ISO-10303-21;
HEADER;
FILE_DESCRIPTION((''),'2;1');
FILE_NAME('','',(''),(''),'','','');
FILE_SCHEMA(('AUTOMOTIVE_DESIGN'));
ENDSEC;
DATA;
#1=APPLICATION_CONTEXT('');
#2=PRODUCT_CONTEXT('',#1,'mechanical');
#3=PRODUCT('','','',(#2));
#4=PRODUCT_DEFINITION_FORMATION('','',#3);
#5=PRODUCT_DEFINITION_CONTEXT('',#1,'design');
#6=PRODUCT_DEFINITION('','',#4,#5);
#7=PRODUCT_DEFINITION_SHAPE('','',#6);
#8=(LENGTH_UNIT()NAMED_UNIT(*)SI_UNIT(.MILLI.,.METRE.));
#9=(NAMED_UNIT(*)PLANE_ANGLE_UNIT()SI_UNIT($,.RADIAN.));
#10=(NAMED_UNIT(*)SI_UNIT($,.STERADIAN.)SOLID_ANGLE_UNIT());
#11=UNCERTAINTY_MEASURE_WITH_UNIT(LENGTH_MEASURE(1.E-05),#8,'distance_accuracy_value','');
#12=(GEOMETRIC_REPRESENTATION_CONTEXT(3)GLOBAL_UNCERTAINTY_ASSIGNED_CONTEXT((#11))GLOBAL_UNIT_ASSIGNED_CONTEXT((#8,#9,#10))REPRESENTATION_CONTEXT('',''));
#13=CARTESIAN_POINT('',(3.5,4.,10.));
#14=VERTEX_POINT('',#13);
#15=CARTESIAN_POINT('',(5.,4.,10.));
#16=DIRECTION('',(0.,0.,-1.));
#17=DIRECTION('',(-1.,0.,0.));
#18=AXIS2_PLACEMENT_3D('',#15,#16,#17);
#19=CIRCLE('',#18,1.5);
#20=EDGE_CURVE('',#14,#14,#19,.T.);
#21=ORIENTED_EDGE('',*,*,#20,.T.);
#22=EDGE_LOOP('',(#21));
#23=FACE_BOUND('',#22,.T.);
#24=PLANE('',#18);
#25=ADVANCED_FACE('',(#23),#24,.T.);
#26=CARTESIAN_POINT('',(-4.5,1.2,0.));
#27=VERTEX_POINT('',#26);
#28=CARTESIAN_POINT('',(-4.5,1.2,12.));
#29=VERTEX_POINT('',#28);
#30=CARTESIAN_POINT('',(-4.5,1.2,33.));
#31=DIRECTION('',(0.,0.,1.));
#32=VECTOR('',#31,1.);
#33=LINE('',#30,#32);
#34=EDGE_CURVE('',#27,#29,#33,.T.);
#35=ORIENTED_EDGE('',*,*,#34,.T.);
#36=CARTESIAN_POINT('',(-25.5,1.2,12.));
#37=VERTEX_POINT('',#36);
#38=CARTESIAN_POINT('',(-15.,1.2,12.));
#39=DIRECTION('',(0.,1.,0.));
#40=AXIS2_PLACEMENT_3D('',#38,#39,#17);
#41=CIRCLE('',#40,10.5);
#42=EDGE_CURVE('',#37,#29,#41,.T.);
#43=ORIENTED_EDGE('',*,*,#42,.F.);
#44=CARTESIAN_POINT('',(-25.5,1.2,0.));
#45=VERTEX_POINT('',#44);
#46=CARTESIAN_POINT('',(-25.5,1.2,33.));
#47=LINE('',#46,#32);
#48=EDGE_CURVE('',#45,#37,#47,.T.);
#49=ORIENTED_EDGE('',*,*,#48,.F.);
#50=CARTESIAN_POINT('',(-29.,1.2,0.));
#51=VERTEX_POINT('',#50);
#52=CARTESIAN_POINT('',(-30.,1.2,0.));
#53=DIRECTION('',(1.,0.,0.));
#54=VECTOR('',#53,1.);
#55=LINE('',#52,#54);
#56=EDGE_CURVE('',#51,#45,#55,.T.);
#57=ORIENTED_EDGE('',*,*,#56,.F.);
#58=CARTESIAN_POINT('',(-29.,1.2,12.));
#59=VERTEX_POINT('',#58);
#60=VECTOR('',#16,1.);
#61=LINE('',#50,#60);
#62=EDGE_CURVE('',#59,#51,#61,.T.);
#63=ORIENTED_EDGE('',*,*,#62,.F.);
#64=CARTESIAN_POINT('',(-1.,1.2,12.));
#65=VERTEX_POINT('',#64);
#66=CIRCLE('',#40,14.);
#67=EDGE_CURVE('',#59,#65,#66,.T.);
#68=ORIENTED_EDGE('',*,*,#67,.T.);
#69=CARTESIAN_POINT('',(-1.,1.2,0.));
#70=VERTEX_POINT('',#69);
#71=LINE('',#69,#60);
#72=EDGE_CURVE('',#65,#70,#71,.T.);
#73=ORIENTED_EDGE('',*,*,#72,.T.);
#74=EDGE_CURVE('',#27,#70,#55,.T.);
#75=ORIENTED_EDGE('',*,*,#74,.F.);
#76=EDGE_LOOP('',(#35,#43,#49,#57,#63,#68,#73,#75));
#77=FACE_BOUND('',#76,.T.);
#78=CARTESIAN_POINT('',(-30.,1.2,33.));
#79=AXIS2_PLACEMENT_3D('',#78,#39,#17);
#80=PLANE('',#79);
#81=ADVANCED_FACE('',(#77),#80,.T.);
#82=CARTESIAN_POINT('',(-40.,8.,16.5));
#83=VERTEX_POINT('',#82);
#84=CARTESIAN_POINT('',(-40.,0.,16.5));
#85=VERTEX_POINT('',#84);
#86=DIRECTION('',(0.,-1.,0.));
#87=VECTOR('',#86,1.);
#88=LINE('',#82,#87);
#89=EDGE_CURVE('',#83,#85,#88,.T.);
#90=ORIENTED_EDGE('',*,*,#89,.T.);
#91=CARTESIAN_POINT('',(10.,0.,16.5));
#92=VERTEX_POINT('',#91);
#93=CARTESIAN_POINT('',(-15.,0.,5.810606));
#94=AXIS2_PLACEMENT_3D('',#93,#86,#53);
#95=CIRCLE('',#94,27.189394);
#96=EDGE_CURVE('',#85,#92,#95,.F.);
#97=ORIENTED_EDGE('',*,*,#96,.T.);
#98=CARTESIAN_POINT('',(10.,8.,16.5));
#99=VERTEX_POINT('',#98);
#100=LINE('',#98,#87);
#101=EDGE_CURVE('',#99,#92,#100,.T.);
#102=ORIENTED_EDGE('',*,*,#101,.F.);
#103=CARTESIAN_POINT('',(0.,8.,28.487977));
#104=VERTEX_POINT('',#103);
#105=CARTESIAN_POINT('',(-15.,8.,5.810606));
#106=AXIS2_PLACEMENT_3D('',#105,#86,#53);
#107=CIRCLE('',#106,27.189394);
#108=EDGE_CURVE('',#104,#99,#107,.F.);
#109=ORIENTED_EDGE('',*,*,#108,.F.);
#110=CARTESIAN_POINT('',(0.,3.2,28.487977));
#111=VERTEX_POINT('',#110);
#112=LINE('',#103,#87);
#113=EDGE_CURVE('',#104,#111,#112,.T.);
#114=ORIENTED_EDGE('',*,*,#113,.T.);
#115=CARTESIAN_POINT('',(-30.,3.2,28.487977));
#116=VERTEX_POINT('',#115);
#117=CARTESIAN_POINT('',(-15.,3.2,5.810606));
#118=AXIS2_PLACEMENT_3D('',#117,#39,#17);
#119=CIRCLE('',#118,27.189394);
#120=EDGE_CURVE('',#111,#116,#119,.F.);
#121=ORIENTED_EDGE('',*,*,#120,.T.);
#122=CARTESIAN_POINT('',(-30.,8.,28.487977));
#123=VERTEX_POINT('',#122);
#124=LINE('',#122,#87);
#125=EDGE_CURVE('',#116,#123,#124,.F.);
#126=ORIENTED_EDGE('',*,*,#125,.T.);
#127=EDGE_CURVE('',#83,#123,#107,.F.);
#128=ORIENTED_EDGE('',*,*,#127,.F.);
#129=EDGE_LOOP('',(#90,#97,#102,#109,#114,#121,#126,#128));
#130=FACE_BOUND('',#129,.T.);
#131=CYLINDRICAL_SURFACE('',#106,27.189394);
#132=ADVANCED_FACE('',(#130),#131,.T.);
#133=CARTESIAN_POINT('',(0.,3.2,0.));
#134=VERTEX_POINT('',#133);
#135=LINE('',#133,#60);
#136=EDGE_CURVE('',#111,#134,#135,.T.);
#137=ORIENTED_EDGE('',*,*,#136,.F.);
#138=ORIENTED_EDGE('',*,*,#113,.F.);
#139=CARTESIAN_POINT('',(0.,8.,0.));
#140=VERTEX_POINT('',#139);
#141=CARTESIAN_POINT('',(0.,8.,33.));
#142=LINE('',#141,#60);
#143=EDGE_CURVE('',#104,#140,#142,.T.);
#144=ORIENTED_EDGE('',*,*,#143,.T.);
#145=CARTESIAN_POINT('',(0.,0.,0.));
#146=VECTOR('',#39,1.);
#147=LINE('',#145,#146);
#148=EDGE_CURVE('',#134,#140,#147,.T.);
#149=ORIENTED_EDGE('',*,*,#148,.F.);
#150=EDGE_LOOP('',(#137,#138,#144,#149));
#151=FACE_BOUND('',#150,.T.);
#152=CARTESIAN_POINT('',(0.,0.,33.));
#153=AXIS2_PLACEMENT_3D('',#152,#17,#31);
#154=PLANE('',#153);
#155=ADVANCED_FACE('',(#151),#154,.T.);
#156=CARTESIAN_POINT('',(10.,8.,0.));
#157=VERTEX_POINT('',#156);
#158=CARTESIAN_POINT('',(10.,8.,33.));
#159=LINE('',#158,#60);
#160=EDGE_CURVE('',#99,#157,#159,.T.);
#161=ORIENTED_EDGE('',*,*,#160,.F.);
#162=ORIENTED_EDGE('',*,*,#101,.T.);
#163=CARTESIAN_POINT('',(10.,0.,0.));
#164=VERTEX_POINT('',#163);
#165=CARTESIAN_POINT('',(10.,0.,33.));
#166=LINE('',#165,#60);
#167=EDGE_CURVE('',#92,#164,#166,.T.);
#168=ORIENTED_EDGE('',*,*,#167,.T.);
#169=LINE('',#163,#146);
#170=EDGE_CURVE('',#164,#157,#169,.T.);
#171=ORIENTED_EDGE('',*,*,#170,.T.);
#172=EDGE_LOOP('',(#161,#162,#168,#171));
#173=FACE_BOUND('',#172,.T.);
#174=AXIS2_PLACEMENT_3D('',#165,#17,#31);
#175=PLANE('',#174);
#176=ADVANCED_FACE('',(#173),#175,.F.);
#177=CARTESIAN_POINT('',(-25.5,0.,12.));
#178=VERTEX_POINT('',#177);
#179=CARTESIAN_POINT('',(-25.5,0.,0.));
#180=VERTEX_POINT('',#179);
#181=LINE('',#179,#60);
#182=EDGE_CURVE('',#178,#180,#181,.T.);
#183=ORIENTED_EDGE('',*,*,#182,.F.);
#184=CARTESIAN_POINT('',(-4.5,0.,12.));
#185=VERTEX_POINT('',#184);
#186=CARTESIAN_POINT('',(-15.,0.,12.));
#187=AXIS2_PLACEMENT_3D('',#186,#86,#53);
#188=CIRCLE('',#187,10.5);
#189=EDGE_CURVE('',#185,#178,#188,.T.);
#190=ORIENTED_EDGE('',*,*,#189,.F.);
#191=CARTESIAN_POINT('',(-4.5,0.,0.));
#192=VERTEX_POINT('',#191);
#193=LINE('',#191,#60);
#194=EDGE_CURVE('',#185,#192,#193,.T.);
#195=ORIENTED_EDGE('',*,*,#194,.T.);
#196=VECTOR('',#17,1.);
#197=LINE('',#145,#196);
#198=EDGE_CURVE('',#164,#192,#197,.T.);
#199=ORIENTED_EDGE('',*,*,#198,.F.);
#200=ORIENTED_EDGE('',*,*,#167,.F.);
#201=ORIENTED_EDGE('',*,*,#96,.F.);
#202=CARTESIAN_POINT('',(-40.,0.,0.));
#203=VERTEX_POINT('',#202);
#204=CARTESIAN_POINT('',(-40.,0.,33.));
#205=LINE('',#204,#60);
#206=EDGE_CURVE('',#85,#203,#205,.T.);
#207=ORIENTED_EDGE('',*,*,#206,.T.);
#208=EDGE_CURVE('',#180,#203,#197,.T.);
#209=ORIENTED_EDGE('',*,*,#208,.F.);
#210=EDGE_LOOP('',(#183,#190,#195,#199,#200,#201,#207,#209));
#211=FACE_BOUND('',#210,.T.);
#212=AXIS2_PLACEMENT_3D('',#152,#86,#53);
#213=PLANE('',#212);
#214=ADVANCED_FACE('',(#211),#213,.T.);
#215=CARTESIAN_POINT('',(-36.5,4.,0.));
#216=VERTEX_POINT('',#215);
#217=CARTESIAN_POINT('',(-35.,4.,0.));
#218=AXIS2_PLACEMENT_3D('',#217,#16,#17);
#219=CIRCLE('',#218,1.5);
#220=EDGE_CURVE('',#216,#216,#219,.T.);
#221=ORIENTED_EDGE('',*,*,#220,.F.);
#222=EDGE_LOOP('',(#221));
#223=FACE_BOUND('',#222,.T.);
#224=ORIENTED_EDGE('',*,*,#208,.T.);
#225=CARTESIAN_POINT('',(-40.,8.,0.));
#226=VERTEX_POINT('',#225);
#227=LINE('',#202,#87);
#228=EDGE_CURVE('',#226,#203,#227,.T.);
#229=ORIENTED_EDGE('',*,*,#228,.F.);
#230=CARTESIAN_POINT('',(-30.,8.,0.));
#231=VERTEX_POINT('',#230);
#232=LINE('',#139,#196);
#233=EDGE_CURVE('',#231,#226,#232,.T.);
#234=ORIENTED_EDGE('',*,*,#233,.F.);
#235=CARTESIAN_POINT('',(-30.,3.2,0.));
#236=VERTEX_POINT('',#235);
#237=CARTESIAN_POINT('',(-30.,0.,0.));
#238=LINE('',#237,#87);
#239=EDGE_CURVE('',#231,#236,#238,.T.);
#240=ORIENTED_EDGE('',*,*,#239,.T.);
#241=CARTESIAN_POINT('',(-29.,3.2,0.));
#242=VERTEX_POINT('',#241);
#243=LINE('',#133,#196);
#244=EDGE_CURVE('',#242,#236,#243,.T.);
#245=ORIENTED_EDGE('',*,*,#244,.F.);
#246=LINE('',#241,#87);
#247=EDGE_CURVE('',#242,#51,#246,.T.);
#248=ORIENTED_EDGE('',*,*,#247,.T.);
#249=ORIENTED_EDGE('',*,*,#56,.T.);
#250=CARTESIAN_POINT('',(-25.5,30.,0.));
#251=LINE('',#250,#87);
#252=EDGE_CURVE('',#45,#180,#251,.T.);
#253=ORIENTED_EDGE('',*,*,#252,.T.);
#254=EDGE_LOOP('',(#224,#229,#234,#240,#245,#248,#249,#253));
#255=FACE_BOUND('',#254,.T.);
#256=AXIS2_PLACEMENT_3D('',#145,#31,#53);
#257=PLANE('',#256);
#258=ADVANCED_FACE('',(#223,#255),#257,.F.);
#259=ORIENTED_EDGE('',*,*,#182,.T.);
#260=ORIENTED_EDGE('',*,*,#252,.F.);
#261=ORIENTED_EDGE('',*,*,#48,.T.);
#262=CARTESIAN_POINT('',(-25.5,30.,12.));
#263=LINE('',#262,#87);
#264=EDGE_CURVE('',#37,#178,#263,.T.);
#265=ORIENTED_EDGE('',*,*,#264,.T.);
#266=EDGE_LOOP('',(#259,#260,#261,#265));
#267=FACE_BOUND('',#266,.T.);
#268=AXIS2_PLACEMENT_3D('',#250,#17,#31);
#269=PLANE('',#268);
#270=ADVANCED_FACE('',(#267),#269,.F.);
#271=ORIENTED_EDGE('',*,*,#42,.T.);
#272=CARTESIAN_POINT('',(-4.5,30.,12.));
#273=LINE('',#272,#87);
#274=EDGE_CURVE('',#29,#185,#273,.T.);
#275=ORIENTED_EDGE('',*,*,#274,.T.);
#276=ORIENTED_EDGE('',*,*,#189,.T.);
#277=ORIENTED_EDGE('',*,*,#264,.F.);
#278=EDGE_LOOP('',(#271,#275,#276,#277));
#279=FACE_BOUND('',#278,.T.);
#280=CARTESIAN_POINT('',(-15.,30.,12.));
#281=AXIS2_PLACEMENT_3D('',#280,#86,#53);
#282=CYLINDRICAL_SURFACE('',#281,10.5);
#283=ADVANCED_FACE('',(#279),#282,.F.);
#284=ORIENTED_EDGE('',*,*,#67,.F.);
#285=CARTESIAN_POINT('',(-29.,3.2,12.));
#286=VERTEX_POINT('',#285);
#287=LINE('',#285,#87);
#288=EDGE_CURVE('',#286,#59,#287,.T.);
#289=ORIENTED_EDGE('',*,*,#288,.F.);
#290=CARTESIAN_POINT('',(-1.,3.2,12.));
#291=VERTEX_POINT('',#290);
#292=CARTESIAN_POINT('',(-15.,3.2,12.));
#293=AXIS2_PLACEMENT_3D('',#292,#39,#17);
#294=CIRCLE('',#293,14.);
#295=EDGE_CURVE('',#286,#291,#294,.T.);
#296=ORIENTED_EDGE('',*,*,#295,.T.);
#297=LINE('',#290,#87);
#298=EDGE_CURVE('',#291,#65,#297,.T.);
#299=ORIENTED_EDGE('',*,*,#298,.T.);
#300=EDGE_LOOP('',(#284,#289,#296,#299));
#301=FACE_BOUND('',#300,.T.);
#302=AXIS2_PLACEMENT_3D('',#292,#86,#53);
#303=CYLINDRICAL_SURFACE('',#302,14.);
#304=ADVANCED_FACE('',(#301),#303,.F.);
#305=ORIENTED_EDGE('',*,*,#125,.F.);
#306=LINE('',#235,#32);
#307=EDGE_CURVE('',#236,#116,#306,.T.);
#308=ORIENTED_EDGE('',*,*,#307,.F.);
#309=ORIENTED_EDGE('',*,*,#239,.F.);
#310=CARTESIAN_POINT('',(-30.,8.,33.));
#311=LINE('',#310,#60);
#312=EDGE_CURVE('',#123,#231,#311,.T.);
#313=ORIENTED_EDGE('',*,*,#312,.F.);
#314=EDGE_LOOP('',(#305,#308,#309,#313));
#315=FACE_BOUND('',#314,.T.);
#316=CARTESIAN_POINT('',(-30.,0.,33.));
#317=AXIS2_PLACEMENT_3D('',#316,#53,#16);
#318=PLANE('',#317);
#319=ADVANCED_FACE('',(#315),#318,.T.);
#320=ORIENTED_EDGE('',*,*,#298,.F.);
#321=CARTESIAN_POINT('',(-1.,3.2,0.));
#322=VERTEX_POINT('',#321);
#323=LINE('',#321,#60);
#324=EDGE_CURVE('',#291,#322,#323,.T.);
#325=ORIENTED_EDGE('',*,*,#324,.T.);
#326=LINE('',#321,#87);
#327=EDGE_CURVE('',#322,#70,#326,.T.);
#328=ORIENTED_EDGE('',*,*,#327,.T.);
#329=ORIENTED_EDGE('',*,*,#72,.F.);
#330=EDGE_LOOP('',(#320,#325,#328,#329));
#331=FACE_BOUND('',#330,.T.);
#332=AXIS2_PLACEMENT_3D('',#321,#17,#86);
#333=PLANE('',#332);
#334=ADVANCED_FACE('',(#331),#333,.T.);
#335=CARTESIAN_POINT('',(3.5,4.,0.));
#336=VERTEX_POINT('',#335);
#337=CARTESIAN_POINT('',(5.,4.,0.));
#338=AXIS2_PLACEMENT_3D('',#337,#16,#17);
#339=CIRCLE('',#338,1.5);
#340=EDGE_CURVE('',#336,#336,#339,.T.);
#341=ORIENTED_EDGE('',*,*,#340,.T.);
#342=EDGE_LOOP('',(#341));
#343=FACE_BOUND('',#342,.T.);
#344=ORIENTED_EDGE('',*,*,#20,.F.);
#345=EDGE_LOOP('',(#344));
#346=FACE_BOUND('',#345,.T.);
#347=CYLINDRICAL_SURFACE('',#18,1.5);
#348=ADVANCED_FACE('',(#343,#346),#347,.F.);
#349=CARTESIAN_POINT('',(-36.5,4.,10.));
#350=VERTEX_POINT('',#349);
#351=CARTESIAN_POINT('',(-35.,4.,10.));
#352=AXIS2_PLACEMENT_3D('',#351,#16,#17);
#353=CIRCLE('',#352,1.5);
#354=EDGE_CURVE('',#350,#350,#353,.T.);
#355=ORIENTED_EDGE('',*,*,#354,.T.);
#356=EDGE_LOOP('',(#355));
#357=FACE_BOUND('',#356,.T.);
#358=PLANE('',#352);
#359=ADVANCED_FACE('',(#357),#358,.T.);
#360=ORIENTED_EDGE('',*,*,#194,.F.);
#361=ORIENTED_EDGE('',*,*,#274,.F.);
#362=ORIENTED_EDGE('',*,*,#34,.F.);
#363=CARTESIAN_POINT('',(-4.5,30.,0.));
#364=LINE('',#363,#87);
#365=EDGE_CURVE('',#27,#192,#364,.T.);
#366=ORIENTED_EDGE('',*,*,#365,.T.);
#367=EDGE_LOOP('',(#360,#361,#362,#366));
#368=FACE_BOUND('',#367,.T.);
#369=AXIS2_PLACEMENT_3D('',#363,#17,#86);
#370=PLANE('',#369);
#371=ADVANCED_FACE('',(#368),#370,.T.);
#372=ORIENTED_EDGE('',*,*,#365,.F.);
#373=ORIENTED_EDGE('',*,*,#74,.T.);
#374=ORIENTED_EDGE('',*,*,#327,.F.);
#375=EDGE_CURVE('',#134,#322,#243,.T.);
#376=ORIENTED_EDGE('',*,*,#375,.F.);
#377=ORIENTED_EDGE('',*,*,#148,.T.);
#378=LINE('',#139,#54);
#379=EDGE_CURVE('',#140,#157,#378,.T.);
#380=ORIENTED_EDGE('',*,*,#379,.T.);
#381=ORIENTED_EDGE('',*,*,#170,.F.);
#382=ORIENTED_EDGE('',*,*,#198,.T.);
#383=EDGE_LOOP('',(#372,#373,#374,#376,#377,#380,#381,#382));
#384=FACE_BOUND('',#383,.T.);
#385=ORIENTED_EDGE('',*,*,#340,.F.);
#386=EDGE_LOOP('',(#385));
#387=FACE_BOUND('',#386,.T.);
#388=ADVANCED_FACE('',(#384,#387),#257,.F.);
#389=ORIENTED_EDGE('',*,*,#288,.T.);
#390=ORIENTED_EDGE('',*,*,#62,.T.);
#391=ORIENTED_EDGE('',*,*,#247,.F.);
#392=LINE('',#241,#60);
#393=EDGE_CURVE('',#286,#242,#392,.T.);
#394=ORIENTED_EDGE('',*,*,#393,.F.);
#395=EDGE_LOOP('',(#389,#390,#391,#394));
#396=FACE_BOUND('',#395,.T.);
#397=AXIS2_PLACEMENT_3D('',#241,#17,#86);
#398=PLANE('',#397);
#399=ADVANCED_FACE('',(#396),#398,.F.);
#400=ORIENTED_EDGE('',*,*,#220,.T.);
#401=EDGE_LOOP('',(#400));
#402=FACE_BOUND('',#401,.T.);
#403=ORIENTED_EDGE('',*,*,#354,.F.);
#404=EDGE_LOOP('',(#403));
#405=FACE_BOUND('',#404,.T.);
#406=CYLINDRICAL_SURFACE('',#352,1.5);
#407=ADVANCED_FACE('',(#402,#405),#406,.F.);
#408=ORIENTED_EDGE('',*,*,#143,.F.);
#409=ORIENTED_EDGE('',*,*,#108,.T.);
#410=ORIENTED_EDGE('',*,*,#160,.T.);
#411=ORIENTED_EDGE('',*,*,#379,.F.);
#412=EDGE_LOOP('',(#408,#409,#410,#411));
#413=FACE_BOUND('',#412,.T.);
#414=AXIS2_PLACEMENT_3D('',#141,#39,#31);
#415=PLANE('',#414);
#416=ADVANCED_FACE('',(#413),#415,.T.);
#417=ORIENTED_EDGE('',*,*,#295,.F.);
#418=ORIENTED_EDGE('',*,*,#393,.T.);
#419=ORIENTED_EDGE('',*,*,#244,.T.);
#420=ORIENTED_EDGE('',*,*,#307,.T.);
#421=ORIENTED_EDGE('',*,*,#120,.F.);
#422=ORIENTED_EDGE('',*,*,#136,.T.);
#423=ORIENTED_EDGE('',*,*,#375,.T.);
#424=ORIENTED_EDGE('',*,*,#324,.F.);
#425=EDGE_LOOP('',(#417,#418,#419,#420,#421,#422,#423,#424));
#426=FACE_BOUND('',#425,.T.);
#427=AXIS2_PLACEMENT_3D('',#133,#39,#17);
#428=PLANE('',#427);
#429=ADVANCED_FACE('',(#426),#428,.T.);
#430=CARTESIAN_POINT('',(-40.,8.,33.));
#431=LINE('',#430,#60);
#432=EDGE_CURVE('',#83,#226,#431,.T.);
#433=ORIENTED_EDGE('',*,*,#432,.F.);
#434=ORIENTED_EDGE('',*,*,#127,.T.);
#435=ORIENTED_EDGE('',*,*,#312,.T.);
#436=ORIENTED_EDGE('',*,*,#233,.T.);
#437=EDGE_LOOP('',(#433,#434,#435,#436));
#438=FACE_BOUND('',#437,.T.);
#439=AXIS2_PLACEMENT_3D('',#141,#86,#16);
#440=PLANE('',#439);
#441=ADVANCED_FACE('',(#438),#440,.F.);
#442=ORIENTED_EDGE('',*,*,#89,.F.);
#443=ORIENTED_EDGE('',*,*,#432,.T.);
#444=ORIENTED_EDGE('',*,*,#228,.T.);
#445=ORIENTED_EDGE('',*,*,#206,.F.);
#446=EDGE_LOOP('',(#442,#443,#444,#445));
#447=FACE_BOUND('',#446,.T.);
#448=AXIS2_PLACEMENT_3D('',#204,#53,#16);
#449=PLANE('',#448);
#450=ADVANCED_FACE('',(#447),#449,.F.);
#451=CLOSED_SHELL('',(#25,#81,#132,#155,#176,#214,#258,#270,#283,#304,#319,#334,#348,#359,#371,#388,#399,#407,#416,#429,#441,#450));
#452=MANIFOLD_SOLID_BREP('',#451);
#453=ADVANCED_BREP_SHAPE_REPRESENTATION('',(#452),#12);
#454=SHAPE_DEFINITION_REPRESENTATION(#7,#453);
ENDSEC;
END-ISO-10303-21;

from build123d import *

# Parameters (mm, degrees)
ESQUISSE1_W             = 10
ESQUISSE1_H             = 8
ESQUISSE1_W_2           = 30
ESQUISSE1_H_2           = 1.2
BOSS_EXTRU_1_DEPTH      = 33
ENL_V_MAT_EXTRU_3_DEPTH = 30
BOSS_EXTRU_2_DEPTH      = 2
ESQUISSE4_R             = 1.5
ENL_V_MAT_EXTRU_4_DEPTH = 10
ENL_V_MAT_EXTRU_5_DEPTH = 53.469038489


with BuildPart() as part:
    # Esquisse1 → Boss.-Extru.1 (new body)
    with BuildSketch(Plane.XY):
        with Locations((-35, 4)):
            Rectangle(ESQUISSE1_W, ESQUISSE1_H)
        with Locations((5, 4)):
            Rectangle(ESQUISSE1_W, ESQUISSE1_H)
        with Locations((-15, 0.6)):
            Rectangle(ESQUISSE1_W_2, ESQUISSE1_H_2)
    extrude(amount=BOSS_EXTRU_1_DEPTH)

    # Esquisse2 → Enlèv. mat.-Extru.3 (cut)
    with BuildSketch(Plane.XZ):
        with BuildLine():
            Line((-4.5, 0), (-4.5, 12))
            ThreePointArc((-4.5, 12), (-15, 22.5), (-25.5, 12))
            Line((-25.5, 12), (-25.5, 0))
            Line((-25.5, 0), (-4.5, 0))
        make_face()
    extrude(amount=-ENL_V_MAT_EXTRU_3_DEPTH, mode=Mode.SUBTRACT)

    # Esquisse3 → Boss.-Extru.2 (add)
    with BuildSketch(Plane(origin=(0, 1.2, 0), x_dir=(1, 0, 0), z_dir=(0, 1, 0))):
        with BuildLine():
            ThreePointArc((-1, -12), (-15, -26), (-29, -12))
            Line((-29, -12), (-29, 0))
            Line((-29, 0), (-30, 0))
            Line((-30, 0), (-30, -33))
            Line((-30, -33), (0, -33))
            Line((0, -33), (0, 0))
            Line((0, 0), (-1, 0))
            Line((-1, 0), (-1, -12))
        make_face()
    extrude(amount=BOSS_EXTRU_2_DEPTH)

    # Esquisse4 → Enlèv. mat.-Extru.4 (cut)
    with BuildSketch(Plane(origin=(0, 0, 0), x_dir=(-1, 0, 0), z_dir=(0, 0, -1))):
        with Locations((35, 4)):
            Circle(ESQUISSE4_R)
        with Locations((-5, 4)):
            Circle(ESQUISSE4_R)
    extrude(amount=-ENL_V_MAT_EXTRU_4_DEPTH, mode=Mode.SUBTRACT)

    # Esquisse5 → Enlèv. mat.-Extru.5 (cut, through all)
    with BuildSketch(Plane.XZ):
        with BuildLine():
            Line((-40, 33), (-40, 16.5))
            ThreePointArc((-40, 16.5), (-29.977065819, 28.503129989), (-15.000000044, 33))
            Line((-15.000000044, 33), (-40, 33))
        make_face()
        with BuildLine():
            Line((10, 33), (-15.000000044, 33))
            ThreePointArc((-15.000000044, 33), (-0.022934218, 28.503130013), (10, 16.5))
            Line((10, 16.5), (10, 33))
        make_face()
    extrude(amount=-ENL_V_MAT_EXTRU_5_DEPTH, mode=Mode.SUBTRACT)


solid = part.part
